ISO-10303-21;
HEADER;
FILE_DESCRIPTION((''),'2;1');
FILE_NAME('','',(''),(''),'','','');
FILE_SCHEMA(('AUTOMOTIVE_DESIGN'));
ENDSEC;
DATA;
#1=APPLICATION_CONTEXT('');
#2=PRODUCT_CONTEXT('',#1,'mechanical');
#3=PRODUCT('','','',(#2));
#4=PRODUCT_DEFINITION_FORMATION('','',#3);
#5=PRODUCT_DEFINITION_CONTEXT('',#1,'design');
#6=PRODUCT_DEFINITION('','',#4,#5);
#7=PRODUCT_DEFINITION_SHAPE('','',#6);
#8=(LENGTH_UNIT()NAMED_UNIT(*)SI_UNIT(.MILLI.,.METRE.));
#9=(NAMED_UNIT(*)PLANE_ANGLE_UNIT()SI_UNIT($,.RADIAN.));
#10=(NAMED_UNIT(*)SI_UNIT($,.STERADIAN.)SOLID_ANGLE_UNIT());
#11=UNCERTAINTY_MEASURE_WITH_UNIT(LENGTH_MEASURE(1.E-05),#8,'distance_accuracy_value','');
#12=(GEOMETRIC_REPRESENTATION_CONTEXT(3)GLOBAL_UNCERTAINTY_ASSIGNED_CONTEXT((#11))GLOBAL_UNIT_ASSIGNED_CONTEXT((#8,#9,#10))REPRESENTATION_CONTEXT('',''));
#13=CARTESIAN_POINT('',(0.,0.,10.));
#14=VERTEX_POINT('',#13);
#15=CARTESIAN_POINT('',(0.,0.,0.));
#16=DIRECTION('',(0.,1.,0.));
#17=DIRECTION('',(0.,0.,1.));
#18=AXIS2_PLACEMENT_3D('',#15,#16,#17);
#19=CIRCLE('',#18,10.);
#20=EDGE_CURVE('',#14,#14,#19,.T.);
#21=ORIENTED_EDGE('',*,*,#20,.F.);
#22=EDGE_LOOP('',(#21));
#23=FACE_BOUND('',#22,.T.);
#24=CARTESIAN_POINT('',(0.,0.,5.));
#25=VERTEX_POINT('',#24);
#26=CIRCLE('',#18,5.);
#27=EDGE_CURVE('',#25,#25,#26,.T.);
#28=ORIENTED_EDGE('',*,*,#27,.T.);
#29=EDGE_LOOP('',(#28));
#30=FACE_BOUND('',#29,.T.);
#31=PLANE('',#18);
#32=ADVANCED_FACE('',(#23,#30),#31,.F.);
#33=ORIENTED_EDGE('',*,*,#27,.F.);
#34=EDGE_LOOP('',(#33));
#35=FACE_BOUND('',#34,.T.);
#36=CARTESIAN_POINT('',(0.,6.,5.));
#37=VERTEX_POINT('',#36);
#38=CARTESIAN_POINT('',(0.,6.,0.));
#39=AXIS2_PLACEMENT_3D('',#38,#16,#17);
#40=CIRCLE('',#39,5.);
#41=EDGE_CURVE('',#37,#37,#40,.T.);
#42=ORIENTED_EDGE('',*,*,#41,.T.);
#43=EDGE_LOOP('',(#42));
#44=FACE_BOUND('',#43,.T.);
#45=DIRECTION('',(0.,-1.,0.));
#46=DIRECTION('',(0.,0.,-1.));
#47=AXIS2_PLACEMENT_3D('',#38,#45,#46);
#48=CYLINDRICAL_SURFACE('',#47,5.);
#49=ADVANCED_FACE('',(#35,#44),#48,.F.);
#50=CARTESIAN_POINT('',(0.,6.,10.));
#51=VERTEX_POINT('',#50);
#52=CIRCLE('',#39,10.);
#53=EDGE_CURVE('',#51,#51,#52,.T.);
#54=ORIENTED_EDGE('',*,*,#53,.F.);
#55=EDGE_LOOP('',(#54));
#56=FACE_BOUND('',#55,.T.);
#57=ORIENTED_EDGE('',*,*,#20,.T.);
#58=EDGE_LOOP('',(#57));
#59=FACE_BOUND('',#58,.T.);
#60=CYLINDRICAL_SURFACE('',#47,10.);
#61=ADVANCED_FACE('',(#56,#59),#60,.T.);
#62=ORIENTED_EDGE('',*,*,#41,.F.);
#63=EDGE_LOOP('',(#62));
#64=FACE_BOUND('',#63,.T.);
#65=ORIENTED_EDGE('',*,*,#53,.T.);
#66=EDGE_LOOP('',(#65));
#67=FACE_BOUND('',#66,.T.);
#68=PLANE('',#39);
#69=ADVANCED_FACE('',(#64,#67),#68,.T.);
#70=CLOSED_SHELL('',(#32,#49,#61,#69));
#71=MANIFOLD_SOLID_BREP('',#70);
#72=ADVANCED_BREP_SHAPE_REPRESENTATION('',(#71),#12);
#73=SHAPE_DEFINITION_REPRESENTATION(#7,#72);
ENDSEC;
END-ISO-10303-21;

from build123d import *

# Parameters (mm, degrees)
SKETCH1_R           = 10
SKETCH1_R_2         = 5
BOSS_EXTRUDE1_DEPTH = 6


with BuildPart() as part:
    # Sketch1 → Boss-Extrude1 (new body)
    with BuildSketch(Plane(origin=(0, 0, 0), x_dir=(1, 0, 0), z_dir=(0, 1, 0))):
        Circle(SKETCH1_R)
        Circle(SKETCH1_R_2, mode=Mode.SUBTRACT)
    extrude(amount=BOSS_EXTRUDE1_DEPTH)


solid = part.part
